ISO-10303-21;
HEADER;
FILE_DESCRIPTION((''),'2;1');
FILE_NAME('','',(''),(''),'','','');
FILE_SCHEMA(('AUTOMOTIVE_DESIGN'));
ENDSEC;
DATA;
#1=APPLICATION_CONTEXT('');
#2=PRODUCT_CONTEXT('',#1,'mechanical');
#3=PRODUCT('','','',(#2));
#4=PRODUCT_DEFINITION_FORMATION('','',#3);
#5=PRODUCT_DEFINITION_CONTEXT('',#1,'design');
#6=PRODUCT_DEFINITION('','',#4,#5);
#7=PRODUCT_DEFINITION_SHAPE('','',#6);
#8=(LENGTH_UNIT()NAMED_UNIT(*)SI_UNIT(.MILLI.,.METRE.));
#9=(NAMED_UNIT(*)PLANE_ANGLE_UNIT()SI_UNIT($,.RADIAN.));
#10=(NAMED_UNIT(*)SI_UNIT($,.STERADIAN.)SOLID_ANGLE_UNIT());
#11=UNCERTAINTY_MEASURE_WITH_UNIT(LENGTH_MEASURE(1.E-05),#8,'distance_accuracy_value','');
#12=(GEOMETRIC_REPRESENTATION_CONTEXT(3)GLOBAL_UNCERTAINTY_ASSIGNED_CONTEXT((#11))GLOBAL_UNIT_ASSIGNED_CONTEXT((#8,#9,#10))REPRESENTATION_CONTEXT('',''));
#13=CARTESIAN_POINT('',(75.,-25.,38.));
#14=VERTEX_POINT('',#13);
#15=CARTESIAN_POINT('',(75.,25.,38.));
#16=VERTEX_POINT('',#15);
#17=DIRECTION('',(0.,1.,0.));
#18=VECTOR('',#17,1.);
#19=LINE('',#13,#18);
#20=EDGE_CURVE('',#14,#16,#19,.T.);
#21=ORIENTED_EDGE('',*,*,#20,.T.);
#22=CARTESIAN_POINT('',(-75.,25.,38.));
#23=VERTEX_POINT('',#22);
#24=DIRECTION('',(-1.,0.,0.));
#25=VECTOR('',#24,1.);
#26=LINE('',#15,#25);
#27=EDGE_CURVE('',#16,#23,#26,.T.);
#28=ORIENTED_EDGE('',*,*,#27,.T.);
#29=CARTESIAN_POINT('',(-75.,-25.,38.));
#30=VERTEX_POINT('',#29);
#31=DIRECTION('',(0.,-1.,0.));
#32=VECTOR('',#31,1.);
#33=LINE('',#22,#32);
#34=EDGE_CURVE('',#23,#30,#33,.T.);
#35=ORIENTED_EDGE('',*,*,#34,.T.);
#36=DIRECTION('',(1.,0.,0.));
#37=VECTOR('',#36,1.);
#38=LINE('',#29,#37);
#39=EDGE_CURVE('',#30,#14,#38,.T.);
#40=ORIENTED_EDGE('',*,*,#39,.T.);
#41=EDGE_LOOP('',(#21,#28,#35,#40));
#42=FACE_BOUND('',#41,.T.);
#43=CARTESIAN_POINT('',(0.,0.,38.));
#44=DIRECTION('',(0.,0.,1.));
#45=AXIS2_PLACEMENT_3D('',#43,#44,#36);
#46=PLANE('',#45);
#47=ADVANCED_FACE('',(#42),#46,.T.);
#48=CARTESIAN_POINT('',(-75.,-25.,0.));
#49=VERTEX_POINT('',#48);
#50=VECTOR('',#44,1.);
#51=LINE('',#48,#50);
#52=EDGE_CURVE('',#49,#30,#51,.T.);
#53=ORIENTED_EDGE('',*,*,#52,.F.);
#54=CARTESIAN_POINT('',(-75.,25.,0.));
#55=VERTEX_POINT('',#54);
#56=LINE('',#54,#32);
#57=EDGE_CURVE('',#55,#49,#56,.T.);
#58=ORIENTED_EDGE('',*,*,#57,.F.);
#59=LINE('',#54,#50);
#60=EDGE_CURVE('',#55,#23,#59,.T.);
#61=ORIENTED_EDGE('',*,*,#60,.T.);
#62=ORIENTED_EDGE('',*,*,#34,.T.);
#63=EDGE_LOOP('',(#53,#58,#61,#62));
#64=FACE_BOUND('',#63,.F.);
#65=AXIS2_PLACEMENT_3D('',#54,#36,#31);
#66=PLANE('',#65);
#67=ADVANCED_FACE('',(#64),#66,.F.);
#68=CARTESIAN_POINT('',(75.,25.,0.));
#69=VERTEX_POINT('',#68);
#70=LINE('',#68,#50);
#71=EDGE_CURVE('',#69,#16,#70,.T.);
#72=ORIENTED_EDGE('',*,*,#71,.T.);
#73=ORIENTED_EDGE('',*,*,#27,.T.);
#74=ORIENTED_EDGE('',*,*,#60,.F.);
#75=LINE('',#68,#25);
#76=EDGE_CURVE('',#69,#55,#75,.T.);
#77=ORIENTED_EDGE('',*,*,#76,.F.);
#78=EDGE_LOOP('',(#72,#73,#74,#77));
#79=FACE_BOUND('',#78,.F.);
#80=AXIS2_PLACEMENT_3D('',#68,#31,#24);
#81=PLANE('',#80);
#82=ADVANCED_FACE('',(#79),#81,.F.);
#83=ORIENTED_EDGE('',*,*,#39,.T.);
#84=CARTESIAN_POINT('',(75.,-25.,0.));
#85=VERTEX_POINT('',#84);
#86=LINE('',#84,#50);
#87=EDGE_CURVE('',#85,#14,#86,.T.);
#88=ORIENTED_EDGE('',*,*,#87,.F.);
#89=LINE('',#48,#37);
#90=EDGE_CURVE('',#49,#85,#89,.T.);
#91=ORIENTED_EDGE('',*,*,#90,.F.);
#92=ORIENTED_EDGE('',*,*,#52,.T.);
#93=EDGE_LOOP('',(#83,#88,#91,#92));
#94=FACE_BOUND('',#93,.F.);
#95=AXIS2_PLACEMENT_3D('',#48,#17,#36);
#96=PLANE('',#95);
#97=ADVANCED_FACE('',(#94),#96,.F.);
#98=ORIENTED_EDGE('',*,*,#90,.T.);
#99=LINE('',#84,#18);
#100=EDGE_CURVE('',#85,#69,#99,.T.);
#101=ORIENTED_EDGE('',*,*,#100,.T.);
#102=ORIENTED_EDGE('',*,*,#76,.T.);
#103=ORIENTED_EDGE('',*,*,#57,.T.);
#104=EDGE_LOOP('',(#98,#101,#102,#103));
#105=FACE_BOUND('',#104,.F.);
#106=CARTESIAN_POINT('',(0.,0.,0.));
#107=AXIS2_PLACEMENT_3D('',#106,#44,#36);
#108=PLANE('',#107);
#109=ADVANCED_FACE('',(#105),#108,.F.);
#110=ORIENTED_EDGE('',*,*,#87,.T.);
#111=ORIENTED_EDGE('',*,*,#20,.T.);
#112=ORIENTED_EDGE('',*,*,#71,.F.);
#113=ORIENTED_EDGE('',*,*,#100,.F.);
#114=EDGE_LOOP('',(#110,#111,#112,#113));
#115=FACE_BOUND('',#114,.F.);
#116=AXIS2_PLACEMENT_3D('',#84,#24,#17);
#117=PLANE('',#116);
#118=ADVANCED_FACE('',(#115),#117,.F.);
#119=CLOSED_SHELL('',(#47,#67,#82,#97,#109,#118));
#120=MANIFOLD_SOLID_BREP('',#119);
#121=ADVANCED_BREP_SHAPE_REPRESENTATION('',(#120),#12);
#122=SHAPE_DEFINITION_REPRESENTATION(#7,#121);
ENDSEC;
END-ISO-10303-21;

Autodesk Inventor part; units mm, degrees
ref_plane "YZ Plane" through (0, 0, 0) normal (1, 0, 0) x (0, 1, 0)
ref_plane "XZ Plane" through (0, 0, 0) normal (0, 1, 0) x (-1, 0, 0)
ref_plane "XY Plane" through (0, 0, 0) normal (0, 0, 1) x (1, 0, 0)
sketch "Sketch1" plane through (0, 0, 0) normal (0, 0, 1) x (1, 0, 0)
  line L0 (-75, -25) -> (75, -25)
  line L1 (75, -25) -> (75, 25)
  line L2 (75, 25) -> (-75, 25)
  line L3 (-75, 25) -> (-75, -25)
  line L4 (-75, -25) -> (75, 25) construction
  line L5 (75, -25) -> (-75, 25) construction
  point P0 (0, 0)
  dimension "d0" = 150
  dimension "d1" = 50
extrude "Extrusion1" add sketch "Sketch1" along normal blind 38
properties part number "Zippy-5S-5Ah"
